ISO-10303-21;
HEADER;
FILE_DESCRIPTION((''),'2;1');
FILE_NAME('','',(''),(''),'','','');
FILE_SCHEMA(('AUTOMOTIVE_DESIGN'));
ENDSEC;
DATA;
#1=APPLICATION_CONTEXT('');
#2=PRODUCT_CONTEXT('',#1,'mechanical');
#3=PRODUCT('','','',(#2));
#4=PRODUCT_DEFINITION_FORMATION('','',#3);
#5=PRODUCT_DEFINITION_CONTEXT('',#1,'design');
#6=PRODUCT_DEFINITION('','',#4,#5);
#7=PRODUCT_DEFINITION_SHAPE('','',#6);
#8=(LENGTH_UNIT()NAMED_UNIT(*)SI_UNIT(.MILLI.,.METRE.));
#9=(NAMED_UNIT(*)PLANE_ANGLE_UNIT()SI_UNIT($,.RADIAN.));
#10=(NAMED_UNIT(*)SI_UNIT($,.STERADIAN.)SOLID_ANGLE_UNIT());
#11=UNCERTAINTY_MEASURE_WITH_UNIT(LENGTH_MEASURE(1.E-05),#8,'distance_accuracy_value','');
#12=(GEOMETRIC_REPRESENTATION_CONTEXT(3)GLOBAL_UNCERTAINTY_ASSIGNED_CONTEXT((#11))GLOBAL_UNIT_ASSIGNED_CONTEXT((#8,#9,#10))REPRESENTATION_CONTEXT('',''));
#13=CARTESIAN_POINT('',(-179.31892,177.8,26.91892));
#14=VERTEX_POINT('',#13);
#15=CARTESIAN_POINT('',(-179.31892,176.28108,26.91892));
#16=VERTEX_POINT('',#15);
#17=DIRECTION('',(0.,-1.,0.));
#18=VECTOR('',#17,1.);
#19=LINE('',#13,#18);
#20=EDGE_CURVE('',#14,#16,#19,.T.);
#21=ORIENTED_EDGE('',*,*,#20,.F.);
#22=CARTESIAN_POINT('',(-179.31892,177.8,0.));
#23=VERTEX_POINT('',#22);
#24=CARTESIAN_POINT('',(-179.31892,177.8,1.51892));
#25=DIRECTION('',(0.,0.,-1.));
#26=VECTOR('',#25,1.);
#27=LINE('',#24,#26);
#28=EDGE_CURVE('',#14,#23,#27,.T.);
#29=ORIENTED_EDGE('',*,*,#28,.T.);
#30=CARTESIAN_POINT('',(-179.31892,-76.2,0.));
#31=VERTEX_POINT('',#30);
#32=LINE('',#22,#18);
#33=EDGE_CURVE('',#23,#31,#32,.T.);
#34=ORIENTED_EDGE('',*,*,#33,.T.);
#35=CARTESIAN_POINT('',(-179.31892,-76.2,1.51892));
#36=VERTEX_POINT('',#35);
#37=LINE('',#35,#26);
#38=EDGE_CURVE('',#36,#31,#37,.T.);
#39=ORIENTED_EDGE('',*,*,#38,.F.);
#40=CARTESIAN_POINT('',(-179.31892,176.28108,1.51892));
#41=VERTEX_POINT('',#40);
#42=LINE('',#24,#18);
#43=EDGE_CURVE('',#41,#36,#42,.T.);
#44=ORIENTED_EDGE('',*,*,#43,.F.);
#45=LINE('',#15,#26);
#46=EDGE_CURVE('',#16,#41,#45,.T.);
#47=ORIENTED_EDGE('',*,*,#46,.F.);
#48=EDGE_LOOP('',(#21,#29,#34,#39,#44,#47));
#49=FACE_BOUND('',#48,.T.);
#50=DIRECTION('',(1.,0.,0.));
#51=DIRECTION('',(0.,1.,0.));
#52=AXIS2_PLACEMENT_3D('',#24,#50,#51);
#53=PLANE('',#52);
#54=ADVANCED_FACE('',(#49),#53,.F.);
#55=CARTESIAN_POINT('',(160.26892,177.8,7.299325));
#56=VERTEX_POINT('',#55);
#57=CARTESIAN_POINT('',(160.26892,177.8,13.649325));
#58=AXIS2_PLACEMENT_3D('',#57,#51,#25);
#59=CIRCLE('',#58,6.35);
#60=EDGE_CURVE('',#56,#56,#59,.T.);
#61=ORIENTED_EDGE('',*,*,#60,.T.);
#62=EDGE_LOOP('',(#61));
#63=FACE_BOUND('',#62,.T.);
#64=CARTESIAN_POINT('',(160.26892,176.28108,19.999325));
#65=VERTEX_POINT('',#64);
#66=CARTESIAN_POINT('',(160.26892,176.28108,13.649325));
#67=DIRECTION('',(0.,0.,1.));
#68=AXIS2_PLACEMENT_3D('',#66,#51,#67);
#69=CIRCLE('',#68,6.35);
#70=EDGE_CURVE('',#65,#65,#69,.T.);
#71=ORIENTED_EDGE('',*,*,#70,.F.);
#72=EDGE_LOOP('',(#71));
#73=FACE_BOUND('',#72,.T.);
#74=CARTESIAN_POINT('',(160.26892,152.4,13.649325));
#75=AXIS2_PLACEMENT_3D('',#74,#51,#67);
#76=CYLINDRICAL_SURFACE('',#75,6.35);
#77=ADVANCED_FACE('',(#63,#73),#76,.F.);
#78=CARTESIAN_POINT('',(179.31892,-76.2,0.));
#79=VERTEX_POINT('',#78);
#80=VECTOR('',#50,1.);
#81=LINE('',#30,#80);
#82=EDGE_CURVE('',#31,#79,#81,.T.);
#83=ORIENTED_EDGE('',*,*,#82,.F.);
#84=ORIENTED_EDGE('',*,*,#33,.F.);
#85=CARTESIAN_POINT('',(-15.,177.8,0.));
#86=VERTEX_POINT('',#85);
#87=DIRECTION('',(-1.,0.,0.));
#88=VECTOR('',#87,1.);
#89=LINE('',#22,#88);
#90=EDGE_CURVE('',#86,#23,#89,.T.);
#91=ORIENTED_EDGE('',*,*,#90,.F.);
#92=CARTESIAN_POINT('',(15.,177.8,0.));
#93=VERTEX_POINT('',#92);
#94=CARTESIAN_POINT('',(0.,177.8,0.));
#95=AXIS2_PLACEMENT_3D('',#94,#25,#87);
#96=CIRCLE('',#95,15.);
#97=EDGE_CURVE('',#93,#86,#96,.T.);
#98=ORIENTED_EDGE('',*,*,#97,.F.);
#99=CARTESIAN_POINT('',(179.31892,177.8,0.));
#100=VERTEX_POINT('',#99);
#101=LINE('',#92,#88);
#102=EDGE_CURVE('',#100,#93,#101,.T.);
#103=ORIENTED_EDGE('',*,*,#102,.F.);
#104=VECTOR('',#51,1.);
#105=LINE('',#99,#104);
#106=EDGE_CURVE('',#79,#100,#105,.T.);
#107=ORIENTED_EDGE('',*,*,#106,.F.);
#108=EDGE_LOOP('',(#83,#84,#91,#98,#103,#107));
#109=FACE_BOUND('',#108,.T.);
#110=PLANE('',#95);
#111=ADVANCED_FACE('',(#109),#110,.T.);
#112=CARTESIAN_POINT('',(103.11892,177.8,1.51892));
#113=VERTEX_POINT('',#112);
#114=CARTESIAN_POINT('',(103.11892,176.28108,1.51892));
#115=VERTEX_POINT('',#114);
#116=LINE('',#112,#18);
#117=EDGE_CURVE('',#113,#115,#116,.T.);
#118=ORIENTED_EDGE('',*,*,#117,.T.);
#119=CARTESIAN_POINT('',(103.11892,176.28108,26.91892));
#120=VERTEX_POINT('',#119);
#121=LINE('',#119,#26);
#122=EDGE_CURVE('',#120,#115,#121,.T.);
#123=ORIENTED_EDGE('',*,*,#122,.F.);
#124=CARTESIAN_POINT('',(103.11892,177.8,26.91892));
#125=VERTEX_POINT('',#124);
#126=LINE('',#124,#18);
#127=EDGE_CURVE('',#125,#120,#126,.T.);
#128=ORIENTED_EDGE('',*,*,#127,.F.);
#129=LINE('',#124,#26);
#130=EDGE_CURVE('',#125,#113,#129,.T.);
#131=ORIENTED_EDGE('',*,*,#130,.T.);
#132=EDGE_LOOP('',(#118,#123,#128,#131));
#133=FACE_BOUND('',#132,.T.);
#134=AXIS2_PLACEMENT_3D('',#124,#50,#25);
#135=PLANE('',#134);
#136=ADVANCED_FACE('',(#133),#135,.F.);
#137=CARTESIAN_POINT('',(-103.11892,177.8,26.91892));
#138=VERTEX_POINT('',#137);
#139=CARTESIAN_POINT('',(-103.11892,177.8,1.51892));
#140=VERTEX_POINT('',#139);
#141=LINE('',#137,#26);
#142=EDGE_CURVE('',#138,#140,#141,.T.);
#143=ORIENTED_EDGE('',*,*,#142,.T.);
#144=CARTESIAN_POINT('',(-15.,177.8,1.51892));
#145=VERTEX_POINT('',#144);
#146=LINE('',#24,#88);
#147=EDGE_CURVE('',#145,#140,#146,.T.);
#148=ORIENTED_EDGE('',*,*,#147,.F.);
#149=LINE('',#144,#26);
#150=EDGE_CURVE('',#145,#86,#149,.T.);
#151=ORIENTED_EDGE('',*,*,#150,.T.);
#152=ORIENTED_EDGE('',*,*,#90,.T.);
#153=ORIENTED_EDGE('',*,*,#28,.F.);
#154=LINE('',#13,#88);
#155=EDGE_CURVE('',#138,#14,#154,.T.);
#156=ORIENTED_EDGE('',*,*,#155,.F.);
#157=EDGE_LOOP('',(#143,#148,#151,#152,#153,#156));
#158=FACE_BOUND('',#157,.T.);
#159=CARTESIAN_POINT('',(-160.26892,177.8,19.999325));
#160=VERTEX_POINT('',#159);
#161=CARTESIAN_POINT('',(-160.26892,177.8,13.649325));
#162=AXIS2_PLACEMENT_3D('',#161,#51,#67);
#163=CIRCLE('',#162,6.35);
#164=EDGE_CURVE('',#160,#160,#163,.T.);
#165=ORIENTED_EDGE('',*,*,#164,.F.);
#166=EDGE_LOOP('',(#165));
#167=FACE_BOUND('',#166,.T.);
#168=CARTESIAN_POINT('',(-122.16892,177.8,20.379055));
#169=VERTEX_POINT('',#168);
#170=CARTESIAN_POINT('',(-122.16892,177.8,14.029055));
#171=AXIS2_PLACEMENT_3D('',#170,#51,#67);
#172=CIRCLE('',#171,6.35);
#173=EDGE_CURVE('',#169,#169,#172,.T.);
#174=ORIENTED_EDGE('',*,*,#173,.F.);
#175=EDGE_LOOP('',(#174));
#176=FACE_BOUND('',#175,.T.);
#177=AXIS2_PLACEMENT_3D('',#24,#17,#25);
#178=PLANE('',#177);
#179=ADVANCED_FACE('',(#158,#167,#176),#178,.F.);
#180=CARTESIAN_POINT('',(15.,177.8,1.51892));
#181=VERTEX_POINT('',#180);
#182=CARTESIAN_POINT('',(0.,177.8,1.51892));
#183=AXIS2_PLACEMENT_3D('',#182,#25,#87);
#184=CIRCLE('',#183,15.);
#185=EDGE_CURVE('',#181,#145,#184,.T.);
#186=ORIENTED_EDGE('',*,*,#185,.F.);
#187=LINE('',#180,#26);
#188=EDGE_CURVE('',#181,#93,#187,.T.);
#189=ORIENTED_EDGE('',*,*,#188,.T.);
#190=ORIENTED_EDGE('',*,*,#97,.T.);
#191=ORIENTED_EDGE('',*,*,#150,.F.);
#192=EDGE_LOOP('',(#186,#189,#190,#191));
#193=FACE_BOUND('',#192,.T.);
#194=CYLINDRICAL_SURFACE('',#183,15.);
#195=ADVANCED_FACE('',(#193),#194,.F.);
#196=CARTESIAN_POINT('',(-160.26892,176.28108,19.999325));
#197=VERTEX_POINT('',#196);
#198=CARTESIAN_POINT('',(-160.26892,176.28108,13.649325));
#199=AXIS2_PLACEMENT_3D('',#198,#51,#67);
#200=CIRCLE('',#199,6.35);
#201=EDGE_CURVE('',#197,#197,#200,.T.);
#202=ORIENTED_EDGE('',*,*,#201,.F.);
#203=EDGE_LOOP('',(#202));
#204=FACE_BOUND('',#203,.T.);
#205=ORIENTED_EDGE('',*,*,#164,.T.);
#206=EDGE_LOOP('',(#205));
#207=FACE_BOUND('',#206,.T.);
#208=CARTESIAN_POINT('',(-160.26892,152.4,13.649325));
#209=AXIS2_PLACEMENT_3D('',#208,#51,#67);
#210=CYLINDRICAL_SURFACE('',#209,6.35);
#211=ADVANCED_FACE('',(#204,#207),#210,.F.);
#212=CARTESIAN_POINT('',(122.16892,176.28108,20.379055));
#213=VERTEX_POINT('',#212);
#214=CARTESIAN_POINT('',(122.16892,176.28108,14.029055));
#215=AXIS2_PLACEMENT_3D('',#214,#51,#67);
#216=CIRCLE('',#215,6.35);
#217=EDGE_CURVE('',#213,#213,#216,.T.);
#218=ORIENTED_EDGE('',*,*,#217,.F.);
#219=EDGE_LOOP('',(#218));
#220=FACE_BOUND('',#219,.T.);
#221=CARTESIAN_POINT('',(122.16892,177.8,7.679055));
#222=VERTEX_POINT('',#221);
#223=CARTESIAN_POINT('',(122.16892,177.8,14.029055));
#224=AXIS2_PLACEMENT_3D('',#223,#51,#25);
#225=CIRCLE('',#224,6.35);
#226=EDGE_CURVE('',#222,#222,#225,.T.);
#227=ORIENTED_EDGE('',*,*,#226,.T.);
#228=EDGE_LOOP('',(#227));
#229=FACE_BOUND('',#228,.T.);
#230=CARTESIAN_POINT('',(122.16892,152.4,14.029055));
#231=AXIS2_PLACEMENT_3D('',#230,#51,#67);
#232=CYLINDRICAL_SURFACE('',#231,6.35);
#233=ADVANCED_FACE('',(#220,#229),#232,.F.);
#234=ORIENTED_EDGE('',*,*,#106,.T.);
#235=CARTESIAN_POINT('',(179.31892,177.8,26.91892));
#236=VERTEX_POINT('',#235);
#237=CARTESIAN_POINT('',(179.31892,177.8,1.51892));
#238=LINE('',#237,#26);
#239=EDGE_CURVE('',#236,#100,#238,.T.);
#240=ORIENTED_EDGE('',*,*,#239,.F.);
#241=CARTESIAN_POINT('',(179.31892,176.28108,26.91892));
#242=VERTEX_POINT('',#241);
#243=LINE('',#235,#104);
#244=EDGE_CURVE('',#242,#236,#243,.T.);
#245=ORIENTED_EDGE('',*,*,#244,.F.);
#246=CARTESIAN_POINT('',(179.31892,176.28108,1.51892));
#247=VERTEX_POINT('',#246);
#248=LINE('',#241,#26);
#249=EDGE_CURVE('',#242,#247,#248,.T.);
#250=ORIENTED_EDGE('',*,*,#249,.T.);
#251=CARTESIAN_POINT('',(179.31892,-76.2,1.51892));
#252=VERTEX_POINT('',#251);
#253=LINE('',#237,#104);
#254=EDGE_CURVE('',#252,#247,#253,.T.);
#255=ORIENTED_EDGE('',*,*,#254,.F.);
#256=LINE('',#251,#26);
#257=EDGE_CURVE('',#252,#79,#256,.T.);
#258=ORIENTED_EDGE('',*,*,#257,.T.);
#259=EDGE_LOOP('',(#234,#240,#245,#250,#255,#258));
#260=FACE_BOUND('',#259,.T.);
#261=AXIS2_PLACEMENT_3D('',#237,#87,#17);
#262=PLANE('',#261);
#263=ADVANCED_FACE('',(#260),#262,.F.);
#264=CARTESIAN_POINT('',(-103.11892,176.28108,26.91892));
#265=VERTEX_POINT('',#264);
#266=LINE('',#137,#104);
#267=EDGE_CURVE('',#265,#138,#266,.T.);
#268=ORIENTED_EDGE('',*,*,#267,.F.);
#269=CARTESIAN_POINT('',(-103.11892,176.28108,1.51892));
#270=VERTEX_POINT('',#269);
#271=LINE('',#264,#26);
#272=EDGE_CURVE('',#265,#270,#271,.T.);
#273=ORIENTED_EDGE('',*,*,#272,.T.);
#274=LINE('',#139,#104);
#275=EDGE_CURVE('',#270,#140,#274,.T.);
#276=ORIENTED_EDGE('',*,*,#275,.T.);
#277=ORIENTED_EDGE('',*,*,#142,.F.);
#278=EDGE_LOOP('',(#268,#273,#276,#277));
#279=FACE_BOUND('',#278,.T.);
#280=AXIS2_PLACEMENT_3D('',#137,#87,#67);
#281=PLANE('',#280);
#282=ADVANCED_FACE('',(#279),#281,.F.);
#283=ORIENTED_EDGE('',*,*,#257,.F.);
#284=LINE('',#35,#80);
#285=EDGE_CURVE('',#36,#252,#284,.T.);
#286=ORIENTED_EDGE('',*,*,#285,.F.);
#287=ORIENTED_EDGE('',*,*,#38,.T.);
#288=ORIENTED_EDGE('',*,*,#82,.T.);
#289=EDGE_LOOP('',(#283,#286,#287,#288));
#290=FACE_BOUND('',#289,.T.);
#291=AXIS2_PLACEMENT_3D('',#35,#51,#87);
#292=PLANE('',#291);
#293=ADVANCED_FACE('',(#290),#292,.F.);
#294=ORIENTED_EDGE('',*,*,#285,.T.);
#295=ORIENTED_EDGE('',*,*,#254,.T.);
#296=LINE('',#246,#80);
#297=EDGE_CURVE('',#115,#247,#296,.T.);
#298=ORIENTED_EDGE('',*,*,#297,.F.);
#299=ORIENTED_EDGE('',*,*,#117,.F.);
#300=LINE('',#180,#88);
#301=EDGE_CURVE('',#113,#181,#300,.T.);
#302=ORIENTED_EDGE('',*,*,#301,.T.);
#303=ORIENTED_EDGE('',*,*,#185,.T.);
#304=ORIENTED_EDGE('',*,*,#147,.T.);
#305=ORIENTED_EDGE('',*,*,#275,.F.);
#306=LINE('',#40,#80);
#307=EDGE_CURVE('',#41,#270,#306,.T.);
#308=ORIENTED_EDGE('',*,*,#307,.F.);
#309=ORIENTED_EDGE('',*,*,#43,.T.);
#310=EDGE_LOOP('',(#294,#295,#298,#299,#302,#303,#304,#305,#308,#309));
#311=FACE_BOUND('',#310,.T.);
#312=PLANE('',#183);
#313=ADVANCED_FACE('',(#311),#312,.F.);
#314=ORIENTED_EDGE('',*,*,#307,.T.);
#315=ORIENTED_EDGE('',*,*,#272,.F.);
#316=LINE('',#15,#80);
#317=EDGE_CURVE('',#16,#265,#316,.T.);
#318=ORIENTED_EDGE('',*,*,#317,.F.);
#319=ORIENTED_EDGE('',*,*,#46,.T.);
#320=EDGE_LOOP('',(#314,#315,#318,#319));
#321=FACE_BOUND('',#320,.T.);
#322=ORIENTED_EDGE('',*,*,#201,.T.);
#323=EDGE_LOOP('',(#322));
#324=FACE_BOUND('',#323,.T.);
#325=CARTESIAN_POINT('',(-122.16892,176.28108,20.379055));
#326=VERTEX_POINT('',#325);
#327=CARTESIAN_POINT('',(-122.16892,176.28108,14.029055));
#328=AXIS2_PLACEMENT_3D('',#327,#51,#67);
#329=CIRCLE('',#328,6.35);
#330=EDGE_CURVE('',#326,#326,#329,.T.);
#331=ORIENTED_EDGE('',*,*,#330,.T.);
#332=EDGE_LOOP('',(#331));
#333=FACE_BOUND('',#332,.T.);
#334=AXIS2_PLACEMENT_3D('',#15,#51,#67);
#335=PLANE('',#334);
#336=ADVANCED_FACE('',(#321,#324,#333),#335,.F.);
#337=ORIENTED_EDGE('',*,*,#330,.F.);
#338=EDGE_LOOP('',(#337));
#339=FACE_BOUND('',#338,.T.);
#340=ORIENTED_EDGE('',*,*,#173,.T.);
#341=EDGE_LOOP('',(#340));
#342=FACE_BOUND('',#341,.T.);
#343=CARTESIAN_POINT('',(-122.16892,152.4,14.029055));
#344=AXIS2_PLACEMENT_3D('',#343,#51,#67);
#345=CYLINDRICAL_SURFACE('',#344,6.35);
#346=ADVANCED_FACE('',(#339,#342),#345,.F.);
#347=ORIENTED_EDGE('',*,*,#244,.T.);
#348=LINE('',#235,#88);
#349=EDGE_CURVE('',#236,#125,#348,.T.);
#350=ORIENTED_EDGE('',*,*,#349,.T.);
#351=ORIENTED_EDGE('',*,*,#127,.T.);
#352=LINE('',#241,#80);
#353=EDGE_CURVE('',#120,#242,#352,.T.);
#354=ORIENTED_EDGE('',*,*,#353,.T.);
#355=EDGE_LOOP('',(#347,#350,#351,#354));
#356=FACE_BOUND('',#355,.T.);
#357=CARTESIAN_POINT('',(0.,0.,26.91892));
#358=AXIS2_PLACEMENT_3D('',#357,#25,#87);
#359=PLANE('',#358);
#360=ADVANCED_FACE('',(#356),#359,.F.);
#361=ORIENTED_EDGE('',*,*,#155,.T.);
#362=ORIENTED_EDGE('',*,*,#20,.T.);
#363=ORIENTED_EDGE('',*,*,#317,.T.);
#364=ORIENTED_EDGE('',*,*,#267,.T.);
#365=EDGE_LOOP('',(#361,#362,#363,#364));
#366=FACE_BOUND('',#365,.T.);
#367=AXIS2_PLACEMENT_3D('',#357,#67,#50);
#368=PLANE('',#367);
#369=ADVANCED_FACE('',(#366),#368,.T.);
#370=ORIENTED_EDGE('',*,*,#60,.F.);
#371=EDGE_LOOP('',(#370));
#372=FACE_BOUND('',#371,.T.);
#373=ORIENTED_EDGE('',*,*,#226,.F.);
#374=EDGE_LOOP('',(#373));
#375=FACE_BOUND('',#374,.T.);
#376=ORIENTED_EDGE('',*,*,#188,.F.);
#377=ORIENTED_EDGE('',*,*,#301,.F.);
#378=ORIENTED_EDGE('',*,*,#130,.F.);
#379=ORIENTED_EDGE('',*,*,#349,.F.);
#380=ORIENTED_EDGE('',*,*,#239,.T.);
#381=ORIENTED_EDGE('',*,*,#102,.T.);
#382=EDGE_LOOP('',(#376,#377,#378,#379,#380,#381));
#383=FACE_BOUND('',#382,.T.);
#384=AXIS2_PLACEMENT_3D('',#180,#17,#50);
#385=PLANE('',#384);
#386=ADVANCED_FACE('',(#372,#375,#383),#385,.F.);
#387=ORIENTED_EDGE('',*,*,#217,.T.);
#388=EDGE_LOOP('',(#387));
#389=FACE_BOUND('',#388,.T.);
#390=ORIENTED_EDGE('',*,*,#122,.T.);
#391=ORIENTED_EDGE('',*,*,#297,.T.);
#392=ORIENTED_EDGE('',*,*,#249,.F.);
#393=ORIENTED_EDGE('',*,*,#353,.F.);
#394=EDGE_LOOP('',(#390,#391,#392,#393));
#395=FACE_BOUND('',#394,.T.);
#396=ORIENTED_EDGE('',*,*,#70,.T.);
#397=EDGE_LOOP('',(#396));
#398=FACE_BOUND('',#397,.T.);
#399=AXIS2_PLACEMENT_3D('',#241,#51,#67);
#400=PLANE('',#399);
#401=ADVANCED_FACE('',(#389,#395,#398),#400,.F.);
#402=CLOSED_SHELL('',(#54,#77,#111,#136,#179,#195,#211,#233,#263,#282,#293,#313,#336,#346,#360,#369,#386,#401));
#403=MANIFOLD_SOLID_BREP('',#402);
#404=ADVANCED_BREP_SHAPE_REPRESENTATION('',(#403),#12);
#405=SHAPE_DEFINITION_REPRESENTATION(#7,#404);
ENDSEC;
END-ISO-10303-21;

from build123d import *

# Parameters (mm, degrees)
BOTTOM_CENTER_CASING_DEPTH = 1.51892
SKETCH3_W                  = 76.2
SKETCH3_H                  = 1.51892
BOSS_EXTRUDE1_DEPTH        = 25.4
SKETCH4_R                  = 6.35
CUT_EXTRUDE1_DEPTH         = 25.4


with BuildPart() as part:
    # Sketch1 → Bottom Center Casing (new body)
    with BuildSketch(Plane.XY):
        with BuildLine():
            Line((-179.31892, 177.8), (-15, 177.8))
            ThreePointArc((-15, 177.8), (0, 162.8), (15, 177.8))
            Line((15, 177.8), (179.31892, 177.8))
            Line((179.31892, 177.8), (179.31892, -76.2))
            Line((179.31892, -76.2), (-179.31892, -76.2))
            Line((-179.31892, -76.2), (-179.31892, 177.8))
        make_face()
    extrude(amount=BOTTOM_CENTER_CASING_DEPTH)

    # Sketch3 → Boss-Extrude1 (add)
    with BuildSketch(Plane.XY.offset(1.51892)):
        with Locations((-141.21892, 177.04054)):
            Rectangle(SKETCH3_W, SKETCH3_H)
        with Locations((141.21892, 177.04054)):
            Rectangle(SKETCH3_W, SKETCH3_H)
    extrude(amount=BOSS_EXTRUDE1_DEPTH)

    # Sketch4 → Cut-Extrude1 (cut)
    with BuildSketch(Plane(origin=(0, 177.8, 0), x_dir=(1, 0, 0), z_dir=(0, 1, 0))):
        with Locations((-160.26892, -13.649325)):
            Circle(SKETCH4_R)
        with Locations((-122.16892, -14.029055)):
            Circle(SKETCH4_R)
        with Locations((122.16892, -14.029055)):
            Circle(SKETCH4_R)
        with Locations((160.26892, -13.649325)):
            Circle(SKETCH4_R)
    extrude(amount=-CUT_EXTRUDE1_DEPTH, mode=Mode.SUBTRACT)


solid = part.part
